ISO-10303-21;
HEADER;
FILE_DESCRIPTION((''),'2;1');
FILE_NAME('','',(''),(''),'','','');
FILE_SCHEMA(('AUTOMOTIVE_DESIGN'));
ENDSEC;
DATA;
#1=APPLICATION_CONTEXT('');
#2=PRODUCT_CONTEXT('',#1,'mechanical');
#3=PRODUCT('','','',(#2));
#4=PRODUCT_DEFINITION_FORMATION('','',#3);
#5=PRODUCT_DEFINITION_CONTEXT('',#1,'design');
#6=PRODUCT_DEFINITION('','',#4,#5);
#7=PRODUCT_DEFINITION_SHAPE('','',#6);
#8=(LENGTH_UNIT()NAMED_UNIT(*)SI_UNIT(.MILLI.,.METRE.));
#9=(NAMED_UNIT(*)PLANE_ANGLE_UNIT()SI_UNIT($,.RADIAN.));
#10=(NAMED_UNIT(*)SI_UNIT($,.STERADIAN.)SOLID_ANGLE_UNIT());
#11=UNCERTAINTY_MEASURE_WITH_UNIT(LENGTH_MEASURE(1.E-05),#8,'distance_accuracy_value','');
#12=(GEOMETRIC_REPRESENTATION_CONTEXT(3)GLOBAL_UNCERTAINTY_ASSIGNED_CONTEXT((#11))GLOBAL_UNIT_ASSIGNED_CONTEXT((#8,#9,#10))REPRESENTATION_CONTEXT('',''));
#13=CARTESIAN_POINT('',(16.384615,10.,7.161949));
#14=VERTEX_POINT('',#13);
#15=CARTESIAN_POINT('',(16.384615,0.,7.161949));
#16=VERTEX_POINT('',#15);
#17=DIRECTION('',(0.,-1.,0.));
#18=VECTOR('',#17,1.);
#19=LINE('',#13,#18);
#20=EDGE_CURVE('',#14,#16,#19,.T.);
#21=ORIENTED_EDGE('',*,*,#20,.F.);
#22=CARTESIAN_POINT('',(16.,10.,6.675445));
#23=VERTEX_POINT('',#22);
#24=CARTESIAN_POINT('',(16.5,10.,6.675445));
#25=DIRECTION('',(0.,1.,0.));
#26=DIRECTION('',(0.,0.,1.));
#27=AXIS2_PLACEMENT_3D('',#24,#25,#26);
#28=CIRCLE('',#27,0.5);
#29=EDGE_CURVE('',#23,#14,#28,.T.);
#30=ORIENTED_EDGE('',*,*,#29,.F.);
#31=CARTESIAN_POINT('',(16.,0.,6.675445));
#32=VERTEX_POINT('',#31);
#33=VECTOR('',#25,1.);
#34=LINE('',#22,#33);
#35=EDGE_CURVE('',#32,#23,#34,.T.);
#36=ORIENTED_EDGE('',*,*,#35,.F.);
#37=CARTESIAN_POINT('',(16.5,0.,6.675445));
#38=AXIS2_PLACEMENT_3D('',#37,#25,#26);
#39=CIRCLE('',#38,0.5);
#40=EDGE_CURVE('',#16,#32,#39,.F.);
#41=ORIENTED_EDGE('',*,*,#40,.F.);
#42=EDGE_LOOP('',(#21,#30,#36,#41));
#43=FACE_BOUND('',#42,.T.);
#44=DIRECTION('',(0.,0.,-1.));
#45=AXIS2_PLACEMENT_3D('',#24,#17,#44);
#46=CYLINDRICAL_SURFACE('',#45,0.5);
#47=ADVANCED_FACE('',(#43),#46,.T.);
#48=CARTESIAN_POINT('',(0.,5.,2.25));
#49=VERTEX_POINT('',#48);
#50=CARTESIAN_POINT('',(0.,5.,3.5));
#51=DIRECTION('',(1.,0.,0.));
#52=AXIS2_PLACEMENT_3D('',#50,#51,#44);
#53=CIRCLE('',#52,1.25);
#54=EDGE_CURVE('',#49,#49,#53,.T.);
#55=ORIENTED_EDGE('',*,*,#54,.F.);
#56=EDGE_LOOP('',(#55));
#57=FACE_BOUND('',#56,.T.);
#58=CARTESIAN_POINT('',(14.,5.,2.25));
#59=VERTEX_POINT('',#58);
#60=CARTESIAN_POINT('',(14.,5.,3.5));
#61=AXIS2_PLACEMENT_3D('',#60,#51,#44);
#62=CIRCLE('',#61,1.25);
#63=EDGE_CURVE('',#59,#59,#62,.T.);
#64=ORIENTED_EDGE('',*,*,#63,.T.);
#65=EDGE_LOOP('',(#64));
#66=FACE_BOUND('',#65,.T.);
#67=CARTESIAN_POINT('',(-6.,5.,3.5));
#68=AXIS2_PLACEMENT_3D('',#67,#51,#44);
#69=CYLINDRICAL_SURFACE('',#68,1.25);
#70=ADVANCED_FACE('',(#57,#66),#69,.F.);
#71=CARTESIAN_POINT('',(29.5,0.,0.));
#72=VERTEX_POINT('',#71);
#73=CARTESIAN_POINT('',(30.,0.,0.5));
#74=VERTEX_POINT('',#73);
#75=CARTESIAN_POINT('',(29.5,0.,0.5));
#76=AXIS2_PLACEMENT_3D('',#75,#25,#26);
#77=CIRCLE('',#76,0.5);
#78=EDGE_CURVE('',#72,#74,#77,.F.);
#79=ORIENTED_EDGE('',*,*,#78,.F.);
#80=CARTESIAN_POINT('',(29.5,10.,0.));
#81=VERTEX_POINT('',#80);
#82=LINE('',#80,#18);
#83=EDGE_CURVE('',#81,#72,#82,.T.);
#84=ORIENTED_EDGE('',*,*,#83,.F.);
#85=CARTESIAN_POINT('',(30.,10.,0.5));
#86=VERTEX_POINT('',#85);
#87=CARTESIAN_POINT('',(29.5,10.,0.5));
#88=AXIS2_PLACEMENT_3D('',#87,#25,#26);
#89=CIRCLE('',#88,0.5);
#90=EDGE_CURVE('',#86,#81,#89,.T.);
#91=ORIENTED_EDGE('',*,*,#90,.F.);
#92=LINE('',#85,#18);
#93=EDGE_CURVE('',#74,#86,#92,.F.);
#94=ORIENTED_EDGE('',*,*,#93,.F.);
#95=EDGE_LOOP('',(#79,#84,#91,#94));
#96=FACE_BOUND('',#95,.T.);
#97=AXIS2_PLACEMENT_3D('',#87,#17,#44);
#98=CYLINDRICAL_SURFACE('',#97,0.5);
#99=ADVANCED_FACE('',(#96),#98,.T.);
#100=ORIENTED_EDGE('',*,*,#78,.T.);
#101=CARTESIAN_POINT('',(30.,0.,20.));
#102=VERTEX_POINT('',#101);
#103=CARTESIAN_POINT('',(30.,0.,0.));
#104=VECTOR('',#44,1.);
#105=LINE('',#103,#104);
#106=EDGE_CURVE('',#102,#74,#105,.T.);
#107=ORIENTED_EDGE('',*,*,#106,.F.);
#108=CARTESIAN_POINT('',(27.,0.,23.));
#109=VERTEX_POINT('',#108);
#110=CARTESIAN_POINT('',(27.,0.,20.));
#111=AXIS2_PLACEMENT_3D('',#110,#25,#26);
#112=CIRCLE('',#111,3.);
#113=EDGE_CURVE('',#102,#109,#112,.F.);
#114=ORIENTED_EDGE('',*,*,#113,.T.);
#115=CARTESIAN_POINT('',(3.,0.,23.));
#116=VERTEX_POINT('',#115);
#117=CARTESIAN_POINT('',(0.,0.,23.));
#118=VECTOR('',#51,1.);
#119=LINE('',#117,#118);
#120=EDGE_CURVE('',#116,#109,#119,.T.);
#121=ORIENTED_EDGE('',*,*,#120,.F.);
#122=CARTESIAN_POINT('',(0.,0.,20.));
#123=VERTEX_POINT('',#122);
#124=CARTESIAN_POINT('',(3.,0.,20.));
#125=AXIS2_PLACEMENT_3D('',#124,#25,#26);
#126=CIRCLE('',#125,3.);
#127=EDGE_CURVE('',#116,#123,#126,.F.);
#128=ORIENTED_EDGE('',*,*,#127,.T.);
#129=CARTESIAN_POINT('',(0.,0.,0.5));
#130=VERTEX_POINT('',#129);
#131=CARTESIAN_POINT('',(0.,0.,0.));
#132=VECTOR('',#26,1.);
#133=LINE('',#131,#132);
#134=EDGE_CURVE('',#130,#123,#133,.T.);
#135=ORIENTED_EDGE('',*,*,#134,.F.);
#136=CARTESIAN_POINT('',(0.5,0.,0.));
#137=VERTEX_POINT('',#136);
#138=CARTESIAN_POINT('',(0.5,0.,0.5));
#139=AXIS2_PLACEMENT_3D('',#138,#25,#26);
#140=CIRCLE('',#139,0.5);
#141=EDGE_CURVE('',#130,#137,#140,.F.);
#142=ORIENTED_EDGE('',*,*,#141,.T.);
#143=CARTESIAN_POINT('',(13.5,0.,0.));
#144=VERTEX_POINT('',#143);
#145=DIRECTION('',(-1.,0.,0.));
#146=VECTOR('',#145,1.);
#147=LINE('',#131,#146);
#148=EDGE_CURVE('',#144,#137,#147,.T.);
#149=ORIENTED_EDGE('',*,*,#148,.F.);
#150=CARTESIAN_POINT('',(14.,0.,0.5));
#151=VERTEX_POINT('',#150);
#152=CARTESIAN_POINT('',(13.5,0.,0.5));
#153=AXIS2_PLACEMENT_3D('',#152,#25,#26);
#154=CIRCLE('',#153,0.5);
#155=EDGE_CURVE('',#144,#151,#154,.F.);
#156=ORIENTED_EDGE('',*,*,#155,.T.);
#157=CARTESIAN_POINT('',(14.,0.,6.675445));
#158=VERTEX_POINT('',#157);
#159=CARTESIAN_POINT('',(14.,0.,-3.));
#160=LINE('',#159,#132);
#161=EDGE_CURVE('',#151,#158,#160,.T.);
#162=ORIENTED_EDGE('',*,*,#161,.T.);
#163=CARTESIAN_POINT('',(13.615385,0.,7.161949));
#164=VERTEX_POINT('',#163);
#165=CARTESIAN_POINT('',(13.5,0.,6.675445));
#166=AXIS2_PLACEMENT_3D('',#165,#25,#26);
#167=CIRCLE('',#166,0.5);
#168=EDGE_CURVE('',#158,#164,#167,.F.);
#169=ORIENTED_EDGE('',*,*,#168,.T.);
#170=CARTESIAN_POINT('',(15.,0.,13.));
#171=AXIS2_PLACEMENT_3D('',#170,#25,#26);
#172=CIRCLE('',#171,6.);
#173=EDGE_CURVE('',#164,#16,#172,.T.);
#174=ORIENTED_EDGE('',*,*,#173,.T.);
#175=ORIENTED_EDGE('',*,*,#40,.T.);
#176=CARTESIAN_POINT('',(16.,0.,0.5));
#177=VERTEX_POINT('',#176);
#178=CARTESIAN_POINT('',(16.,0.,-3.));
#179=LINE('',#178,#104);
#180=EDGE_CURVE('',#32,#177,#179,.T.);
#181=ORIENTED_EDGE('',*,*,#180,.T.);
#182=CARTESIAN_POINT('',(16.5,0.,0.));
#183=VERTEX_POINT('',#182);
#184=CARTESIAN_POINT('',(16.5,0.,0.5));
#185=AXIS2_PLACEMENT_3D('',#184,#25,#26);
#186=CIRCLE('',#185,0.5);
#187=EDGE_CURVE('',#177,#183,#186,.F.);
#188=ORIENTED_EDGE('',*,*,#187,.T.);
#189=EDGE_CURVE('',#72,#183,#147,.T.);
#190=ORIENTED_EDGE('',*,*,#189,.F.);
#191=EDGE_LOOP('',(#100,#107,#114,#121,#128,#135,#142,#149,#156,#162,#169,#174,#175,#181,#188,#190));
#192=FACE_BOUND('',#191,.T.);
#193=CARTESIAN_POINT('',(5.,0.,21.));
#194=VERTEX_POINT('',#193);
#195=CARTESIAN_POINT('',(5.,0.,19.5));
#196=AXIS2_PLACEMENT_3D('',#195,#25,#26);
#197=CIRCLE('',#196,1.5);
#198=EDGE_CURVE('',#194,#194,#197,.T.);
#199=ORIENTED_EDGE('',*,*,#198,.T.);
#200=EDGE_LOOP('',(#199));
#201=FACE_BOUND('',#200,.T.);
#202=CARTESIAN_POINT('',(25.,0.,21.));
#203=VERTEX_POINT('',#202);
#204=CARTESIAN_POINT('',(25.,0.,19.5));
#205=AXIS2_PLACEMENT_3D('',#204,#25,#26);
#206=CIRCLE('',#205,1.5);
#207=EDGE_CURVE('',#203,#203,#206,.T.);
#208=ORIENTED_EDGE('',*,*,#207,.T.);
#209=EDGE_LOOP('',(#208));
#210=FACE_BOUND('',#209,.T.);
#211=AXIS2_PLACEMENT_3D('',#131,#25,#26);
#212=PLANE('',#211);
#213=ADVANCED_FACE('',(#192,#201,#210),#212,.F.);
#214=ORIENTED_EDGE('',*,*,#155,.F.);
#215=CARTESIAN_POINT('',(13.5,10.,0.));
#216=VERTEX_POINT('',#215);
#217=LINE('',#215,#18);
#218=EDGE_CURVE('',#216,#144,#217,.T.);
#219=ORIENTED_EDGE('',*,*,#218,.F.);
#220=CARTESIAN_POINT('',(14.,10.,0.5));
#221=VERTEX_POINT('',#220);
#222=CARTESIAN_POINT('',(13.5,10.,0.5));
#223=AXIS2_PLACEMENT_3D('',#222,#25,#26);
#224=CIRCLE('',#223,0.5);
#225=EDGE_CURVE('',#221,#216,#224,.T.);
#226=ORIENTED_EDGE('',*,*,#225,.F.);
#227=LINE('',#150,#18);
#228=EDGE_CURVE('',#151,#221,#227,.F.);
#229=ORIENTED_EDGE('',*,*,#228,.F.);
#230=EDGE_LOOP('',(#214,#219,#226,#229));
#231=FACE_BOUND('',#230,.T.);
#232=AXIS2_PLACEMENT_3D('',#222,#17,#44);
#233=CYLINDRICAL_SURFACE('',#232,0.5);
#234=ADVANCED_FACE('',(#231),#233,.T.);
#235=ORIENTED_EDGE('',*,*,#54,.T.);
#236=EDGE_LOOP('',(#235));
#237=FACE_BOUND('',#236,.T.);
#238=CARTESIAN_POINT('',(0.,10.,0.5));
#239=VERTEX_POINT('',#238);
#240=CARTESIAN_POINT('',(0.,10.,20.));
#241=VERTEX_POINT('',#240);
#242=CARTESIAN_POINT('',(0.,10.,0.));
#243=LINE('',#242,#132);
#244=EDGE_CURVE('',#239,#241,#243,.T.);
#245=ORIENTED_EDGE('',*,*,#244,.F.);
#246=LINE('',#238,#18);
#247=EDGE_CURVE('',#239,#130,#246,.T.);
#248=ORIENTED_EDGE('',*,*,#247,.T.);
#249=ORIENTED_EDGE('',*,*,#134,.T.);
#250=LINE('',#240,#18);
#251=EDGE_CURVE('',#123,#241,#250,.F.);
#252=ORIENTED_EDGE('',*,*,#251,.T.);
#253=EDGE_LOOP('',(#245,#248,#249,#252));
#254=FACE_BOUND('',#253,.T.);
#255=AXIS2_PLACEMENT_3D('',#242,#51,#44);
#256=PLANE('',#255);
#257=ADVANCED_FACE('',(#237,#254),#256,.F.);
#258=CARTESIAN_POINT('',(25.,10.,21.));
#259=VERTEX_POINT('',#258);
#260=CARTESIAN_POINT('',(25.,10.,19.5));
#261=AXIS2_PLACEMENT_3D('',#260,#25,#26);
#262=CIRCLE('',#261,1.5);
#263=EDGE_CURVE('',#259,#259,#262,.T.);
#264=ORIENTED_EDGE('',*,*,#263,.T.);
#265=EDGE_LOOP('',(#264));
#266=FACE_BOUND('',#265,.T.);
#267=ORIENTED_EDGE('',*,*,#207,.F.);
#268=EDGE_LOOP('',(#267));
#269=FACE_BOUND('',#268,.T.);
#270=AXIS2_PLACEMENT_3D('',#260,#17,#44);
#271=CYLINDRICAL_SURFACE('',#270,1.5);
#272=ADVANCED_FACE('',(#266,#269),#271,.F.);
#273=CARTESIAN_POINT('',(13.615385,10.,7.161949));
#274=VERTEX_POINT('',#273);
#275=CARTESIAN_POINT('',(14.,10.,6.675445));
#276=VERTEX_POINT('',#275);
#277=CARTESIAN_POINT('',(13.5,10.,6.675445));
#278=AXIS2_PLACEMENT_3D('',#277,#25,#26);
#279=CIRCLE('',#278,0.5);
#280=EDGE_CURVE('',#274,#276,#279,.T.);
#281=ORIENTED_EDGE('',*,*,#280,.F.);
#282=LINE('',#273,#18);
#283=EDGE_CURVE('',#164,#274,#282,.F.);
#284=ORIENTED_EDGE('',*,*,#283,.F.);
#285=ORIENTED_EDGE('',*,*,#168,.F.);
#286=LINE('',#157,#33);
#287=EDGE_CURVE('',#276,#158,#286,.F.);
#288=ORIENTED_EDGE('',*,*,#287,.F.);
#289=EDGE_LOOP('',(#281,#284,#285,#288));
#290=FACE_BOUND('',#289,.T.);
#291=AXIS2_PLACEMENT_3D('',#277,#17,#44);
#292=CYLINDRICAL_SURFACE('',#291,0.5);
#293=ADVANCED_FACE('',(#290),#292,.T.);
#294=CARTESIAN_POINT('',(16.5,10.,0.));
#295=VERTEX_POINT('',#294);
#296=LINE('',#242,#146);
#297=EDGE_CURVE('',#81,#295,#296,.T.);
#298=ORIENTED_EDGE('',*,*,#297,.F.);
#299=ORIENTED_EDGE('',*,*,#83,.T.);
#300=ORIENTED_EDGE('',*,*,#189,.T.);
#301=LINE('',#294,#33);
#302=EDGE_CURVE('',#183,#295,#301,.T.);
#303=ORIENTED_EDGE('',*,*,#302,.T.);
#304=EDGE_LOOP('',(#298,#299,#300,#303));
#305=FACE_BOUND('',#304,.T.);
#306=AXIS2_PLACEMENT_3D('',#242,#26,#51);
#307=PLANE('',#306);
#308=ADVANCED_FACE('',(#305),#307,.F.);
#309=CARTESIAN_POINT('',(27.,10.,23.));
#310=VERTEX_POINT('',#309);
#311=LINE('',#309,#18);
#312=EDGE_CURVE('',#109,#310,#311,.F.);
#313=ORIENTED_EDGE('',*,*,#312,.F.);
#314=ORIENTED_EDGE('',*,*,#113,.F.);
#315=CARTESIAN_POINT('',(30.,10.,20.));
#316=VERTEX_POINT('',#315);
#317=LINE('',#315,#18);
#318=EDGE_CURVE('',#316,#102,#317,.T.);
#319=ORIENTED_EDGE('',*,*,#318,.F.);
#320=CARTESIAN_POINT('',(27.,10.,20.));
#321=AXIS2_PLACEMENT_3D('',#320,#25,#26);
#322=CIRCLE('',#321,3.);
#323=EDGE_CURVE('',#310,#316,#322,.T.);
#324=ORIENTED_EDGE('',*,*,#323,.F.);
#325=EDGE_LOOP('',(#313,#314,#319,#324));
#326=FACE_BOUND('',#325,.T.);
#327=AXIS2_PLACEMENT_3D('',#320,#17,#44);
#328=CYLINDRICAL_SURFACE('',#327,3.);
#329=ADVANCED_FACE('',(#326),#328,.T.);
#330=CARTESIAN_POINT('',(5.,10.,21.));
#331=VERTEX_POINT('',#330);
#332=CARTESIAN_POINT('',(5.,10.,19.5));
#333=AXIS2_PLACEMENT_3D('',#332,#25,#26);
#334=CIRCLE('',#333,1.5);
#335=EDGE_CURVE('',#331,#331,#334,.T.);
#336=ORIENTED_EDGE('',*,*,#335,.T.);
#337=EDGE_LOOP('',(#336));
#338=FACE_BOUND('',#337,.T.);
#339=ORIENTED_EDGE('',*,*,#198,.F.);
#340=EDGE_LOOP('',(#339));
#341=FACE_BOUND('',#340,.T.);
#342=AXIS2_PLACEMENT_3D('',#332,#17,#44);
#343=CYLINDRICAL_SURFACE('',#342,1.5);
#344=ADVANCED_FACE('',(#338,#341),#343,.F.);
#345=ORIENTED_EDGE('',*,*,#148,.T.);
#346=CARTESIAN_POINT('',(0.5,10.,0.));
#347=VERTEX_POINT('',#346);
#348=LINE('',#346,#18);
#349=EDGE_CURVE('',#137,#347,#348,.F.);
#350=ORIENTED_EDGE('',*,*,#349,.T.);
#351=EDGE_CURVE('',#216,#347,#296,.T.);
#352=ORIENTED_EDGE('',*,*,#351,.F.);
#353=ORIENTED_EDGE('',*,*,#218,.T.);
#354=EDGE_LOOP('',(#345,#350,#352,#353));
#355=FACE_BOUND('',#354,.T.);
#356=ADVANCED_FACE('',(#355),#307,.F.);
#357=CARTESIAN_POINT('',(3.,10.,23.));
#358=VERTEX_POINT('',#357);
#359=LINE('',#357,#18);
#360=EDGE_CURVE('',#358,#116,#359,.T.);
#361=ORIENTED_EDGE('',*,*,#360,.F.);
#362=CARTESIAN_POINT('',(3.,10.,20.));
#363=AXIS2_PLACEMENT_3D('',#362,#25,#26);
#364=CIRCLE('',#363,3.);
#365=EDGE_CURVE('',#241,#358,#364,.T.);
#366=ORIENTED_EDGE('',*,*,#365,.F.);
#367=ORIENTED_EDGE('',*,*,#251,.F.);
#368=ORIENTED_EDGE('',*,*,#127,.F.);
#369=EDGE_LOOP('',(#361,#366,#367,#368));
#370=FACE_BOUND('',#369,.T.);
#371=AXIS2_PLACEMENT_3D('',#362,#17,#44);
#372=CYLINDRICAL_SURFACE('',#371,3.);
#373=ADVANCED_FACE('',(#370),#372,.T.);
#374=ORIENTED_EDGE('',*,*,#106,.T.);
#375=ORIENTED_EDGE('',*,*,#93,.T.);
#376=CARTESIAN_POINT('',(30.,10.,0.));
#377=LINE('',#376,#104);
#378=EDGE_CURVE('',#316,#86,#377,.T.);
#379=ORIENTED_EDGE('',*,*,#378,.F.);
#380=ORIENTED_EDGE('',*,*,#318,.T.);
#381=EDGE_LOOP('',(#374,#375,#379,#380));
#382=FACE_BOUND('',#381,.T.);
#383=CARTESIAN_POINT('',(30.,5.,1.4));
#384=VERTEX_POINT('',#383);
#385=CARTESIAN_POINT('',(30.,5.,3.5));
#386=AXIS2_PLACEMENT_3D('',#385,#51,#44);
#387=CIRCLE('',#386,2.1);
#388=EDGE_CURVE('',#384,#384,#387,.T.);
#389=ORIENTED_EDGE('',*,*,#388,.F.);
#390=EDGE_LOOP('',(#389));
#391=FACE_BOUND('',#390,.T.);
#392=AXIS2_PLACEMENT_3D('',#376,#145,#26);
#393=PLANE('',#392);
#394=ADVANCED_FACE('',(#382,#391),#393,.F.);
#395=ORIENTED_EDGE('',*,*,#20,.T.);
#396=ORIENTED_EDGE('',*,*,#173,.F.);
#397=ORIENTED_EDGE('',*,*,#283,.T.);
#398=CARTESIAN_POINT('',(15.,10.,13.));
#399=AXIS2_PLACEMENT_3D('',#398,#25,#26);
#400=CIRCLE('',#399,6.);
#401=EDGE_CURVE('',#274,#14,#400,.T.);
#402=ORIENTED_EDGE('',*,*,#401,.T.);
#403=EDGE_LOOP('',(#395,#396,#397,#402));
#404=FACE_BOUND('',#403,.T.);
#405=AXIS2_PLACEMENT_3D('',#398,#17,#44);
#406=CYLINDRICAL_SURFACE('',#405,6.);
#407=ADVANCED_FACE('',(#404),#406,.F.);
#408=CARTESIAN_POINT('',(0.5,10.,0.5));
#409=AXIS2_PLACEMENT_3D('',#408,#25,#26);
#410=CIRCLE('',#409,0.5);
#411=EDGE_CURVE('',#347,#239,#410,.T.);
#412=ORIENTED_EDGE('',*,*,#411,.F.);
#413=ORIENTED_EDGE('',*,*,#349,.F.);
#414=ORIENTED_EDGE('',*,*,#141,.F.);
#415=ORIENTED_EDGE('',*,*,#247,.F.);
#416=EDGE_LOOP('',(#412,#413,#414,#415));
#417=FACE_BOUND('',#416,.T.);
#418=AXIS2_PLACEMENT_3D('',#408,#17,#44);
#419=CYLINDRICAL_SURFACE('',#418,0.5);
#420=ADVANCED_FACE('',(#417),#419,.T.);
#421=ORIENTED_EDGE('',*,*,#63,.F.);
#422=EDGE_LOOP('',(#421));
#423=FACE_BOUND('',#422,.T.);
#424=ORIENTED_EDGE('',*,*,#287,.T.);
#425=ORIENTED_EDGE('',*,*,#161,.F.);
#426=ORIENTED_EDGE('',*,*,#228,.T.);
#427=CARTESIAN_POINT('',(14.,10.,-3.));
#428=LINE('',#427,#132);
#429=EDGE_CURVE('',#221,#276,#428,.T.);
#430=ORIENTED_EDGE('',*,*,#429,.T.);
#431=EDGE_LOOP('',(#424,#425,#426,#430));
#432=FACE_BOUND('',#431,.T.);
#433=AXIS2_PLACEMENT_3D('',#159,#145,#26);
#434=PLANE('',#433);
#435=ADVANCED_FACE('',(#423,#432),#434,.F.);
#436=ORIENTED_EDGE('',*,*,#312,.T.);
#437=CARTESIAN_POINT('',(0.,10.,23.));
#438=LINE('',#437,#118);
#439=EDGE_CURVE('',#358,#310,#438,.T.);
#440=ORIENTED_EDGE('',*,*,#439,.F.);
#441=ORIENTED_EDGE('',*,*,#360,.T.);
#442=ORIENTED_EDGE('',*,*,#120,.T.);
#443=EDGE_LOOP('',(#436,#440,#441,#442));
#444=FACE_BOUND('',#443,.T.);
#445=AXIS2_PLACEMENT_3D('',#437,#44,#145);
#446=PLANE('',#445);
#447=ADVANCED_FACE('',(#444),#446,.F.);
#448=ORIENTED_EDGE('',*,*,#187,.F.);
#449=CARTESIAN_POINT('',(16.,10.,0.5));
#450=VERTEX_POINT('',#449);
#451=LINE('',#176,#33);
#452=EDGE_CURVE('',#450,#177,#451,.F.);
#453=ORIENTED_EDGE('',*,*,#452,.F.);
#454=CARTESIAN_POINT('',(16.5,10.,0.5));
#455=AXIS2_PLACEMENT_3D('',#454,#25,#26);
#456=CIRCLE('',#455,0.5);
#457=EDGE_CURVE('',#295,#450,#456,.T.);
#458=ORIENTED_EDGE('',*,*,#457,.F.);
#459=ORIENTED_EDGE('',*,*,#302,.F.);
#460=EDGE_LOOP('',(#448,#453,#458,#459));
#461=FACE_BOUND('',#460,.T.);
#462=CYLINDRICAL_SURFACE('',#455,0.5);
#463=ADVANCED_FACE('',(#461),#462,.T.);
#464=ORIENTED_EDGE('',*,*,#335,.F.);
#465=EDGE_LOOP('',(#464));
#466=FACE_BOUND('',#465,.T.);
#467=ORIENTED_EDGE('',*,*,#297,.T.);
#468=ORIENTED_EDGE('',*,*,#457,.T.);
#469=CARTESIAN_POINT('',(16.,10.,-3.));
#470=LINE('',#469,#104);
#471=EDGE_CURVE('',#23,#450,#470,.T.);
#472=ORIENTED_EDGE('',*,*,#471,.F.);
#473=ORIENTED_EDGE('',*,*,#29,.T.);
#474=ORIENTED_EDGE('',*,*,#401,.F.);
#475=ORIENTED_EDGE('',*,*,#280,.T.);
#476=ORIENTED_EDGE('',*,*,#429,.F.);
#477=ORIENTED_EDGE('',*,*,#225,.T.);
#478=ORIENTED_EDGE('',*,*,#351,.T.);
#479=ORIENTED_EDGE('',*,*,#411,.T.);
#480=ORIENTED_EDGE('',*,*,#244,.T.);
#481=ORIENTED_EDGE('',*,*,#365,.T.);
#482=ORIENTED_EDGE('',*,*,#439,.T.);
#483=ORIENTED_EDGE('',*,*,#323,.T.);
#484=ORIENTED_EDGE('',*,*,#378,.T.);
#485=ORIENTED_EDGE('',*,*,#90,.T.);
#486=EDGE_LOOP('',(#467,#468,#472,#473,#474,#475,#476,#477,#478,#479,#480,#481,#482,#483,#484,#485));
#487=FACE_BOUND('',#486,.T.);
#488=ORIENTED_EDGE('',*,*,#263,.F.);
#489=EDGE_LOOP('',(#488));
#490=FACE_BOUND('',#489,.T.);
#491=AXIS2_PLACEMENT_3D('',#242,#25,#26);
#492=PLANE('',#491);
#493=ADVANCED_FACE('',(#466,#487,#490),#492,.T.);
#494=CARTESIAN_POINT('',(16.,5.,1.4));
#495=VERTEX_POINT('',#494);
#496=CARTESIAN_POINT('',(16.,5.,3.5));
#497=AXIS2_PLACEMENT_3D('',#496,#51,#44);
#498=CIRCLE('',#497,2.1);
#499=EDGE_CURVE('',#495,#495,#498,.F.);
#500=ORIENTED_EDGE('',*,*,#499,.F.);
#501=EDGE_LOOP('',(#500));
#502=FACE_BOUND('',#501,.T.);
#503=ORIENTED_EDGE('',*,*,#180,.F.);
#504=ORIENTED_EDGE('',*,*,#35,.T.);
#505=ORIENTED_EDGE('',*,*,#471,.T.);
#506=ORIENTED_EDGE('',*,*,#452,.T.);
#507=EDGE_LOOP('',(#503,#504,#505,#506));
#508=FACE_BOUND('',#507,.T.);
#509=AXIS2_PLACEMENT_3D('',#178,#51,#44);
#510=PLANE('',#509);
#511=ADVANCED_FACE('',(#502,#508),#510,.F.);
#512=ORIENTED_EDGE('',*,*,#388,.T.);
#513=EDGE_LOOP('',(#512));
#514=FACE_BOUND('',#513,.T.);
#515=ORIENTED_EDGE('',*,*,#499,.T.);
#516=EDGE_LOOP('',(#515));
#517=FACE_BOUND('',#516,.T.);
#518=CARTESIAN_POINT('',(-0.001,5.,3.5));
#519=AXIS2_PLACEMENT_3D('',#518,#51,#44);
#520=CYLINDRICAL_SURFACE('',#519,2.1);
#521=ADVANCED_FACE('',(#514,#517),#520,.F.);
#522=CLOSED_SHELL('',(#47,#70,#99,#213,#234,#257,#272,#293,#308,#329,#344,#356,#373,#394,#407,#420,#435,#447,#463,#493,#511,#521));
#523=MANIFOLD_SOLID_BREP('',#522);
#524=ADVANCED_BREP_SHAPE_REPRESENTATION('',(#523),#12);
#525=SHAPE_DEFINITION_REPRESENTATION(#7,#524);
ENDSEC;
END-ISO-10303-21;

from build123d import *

# Parameters (mm, degrees)
SKETCH1_W           = 30
SKETCH1_H           = 23
SKETCH1_R           = 6
SKETCH1_R_2         = 1.5
BOSS_EXTRUDE1_DEPTH = 10
SKETCH2_W           = 2
SKETCH2_H           = 15
CUT_EXTRUDE1_DEPTH  = 10
CUT_EXTRUDE2_REACH  = 41.102
SKETCH3_R           = 2.1
SKETCH4_R           = 1.25
CUT_EXTRUDE3_DEPTH  = 20
FILLET1_R           = 3
FILLET2_R           = 0.5


with BuildPart() as part:
    # Sketch1 → Boss-Extrude1 (new body)
    with BuildSketch(Plane(origin=(0, 0, 0), x_dir=(1, 0, 0), z_dir=(0, 1, 0))):
        with Locations((15, -11.5)):
            Rectangle(SKETCH1_W, SKETCH1_H)
        with Locations(Location((15, -13, 0), (0, 0, 270))):
            Circle(SKETCH1_R, mode=Mode.SUBTRACT)
        with Locations(Location((5, -19.5, 0), (0, 0, 270))):
            Circle(SKETCH1_R_2, mode=Mode.SUBTRACT)
        with Locations(Location((25, -19.5, 0), (0, 0, 270))):
            Circle(SKETCH1_R_2, mode=Mode.SUBTRACT)
    extrude(amount=BOSS_EXTRUDE1_DEPTH)

    # Sketch2 → Cut-Extrude1 (cut)
    with BuildSketch(Plane(origin=(0, 10, 0), x_dir=(1, 0, 0), z_dir=(0, 1, 0))):
        with Locations((15, -4.5)):
            Rectangle(SKETCH2_W, SKETCH2_H)
    extrude(amount=-CUT_EXTRUDE1_DEPTH, mode=Mode.SUBTRACT)

    # Sketch3 → Cut-Extrude2 (cut, up to next)
    with BuildSketch(Plane(origin=(30, 0, 0), x_dir=(0, 0, -1), z_dir=(1, 0, 0)), mode=Mode.PRIVATE) as cut_extrude2_sk1:
        with Locations((-3.5, 5)):
            Circle(SKETCH3_R)
    cut_extrude2_tool1 = extrude(cut_extrude2_sk1.sketch, amount=-CUT_EXTRUDE2_REACH, mode=Mode.PRIVATE) & part.part
    add(cut_extrude2_tool1.solids().sort_by_distance((30, 5, 3.5))[0], mode=Mode.SUBTRACT)

    # Sketch4 → Cut-Extrude3 (cut)
    with BuildSketch(Plane(origin=(14, 0, 0), x_dir=(0, 0, -1), z_dir=(1, 0, 0))):
        with Locations((-3.5, 5)):
            Circle(SKETCH4_R)
    extrude(amount=-CUT_EXTRUDE3_DEPTH, mode=Mode.SUBTRACT)

    # Fillet1
    fillet1_edges = [part.edges().sort_by_distance(p)[0] for p in [
        (30, 5, 23),
        (0, 5, 23),
    ]]
    fillet(fillet1_edges, radius=FILLET1_R)

    # Fillet2
    fillet2_edges = [part.edges().sort_by_distance(p)[0] for p in [
        (14, 5, 7.083920217),
        (16, 5, 7.083920217),
        (16, 5, 0),
        (14, 5, 0),
        (0, 5, 0),
        (30, 5, 0),
    ]]
    fillet(fillet2_edges, radius=FILLET2_R)


solid = part.part
